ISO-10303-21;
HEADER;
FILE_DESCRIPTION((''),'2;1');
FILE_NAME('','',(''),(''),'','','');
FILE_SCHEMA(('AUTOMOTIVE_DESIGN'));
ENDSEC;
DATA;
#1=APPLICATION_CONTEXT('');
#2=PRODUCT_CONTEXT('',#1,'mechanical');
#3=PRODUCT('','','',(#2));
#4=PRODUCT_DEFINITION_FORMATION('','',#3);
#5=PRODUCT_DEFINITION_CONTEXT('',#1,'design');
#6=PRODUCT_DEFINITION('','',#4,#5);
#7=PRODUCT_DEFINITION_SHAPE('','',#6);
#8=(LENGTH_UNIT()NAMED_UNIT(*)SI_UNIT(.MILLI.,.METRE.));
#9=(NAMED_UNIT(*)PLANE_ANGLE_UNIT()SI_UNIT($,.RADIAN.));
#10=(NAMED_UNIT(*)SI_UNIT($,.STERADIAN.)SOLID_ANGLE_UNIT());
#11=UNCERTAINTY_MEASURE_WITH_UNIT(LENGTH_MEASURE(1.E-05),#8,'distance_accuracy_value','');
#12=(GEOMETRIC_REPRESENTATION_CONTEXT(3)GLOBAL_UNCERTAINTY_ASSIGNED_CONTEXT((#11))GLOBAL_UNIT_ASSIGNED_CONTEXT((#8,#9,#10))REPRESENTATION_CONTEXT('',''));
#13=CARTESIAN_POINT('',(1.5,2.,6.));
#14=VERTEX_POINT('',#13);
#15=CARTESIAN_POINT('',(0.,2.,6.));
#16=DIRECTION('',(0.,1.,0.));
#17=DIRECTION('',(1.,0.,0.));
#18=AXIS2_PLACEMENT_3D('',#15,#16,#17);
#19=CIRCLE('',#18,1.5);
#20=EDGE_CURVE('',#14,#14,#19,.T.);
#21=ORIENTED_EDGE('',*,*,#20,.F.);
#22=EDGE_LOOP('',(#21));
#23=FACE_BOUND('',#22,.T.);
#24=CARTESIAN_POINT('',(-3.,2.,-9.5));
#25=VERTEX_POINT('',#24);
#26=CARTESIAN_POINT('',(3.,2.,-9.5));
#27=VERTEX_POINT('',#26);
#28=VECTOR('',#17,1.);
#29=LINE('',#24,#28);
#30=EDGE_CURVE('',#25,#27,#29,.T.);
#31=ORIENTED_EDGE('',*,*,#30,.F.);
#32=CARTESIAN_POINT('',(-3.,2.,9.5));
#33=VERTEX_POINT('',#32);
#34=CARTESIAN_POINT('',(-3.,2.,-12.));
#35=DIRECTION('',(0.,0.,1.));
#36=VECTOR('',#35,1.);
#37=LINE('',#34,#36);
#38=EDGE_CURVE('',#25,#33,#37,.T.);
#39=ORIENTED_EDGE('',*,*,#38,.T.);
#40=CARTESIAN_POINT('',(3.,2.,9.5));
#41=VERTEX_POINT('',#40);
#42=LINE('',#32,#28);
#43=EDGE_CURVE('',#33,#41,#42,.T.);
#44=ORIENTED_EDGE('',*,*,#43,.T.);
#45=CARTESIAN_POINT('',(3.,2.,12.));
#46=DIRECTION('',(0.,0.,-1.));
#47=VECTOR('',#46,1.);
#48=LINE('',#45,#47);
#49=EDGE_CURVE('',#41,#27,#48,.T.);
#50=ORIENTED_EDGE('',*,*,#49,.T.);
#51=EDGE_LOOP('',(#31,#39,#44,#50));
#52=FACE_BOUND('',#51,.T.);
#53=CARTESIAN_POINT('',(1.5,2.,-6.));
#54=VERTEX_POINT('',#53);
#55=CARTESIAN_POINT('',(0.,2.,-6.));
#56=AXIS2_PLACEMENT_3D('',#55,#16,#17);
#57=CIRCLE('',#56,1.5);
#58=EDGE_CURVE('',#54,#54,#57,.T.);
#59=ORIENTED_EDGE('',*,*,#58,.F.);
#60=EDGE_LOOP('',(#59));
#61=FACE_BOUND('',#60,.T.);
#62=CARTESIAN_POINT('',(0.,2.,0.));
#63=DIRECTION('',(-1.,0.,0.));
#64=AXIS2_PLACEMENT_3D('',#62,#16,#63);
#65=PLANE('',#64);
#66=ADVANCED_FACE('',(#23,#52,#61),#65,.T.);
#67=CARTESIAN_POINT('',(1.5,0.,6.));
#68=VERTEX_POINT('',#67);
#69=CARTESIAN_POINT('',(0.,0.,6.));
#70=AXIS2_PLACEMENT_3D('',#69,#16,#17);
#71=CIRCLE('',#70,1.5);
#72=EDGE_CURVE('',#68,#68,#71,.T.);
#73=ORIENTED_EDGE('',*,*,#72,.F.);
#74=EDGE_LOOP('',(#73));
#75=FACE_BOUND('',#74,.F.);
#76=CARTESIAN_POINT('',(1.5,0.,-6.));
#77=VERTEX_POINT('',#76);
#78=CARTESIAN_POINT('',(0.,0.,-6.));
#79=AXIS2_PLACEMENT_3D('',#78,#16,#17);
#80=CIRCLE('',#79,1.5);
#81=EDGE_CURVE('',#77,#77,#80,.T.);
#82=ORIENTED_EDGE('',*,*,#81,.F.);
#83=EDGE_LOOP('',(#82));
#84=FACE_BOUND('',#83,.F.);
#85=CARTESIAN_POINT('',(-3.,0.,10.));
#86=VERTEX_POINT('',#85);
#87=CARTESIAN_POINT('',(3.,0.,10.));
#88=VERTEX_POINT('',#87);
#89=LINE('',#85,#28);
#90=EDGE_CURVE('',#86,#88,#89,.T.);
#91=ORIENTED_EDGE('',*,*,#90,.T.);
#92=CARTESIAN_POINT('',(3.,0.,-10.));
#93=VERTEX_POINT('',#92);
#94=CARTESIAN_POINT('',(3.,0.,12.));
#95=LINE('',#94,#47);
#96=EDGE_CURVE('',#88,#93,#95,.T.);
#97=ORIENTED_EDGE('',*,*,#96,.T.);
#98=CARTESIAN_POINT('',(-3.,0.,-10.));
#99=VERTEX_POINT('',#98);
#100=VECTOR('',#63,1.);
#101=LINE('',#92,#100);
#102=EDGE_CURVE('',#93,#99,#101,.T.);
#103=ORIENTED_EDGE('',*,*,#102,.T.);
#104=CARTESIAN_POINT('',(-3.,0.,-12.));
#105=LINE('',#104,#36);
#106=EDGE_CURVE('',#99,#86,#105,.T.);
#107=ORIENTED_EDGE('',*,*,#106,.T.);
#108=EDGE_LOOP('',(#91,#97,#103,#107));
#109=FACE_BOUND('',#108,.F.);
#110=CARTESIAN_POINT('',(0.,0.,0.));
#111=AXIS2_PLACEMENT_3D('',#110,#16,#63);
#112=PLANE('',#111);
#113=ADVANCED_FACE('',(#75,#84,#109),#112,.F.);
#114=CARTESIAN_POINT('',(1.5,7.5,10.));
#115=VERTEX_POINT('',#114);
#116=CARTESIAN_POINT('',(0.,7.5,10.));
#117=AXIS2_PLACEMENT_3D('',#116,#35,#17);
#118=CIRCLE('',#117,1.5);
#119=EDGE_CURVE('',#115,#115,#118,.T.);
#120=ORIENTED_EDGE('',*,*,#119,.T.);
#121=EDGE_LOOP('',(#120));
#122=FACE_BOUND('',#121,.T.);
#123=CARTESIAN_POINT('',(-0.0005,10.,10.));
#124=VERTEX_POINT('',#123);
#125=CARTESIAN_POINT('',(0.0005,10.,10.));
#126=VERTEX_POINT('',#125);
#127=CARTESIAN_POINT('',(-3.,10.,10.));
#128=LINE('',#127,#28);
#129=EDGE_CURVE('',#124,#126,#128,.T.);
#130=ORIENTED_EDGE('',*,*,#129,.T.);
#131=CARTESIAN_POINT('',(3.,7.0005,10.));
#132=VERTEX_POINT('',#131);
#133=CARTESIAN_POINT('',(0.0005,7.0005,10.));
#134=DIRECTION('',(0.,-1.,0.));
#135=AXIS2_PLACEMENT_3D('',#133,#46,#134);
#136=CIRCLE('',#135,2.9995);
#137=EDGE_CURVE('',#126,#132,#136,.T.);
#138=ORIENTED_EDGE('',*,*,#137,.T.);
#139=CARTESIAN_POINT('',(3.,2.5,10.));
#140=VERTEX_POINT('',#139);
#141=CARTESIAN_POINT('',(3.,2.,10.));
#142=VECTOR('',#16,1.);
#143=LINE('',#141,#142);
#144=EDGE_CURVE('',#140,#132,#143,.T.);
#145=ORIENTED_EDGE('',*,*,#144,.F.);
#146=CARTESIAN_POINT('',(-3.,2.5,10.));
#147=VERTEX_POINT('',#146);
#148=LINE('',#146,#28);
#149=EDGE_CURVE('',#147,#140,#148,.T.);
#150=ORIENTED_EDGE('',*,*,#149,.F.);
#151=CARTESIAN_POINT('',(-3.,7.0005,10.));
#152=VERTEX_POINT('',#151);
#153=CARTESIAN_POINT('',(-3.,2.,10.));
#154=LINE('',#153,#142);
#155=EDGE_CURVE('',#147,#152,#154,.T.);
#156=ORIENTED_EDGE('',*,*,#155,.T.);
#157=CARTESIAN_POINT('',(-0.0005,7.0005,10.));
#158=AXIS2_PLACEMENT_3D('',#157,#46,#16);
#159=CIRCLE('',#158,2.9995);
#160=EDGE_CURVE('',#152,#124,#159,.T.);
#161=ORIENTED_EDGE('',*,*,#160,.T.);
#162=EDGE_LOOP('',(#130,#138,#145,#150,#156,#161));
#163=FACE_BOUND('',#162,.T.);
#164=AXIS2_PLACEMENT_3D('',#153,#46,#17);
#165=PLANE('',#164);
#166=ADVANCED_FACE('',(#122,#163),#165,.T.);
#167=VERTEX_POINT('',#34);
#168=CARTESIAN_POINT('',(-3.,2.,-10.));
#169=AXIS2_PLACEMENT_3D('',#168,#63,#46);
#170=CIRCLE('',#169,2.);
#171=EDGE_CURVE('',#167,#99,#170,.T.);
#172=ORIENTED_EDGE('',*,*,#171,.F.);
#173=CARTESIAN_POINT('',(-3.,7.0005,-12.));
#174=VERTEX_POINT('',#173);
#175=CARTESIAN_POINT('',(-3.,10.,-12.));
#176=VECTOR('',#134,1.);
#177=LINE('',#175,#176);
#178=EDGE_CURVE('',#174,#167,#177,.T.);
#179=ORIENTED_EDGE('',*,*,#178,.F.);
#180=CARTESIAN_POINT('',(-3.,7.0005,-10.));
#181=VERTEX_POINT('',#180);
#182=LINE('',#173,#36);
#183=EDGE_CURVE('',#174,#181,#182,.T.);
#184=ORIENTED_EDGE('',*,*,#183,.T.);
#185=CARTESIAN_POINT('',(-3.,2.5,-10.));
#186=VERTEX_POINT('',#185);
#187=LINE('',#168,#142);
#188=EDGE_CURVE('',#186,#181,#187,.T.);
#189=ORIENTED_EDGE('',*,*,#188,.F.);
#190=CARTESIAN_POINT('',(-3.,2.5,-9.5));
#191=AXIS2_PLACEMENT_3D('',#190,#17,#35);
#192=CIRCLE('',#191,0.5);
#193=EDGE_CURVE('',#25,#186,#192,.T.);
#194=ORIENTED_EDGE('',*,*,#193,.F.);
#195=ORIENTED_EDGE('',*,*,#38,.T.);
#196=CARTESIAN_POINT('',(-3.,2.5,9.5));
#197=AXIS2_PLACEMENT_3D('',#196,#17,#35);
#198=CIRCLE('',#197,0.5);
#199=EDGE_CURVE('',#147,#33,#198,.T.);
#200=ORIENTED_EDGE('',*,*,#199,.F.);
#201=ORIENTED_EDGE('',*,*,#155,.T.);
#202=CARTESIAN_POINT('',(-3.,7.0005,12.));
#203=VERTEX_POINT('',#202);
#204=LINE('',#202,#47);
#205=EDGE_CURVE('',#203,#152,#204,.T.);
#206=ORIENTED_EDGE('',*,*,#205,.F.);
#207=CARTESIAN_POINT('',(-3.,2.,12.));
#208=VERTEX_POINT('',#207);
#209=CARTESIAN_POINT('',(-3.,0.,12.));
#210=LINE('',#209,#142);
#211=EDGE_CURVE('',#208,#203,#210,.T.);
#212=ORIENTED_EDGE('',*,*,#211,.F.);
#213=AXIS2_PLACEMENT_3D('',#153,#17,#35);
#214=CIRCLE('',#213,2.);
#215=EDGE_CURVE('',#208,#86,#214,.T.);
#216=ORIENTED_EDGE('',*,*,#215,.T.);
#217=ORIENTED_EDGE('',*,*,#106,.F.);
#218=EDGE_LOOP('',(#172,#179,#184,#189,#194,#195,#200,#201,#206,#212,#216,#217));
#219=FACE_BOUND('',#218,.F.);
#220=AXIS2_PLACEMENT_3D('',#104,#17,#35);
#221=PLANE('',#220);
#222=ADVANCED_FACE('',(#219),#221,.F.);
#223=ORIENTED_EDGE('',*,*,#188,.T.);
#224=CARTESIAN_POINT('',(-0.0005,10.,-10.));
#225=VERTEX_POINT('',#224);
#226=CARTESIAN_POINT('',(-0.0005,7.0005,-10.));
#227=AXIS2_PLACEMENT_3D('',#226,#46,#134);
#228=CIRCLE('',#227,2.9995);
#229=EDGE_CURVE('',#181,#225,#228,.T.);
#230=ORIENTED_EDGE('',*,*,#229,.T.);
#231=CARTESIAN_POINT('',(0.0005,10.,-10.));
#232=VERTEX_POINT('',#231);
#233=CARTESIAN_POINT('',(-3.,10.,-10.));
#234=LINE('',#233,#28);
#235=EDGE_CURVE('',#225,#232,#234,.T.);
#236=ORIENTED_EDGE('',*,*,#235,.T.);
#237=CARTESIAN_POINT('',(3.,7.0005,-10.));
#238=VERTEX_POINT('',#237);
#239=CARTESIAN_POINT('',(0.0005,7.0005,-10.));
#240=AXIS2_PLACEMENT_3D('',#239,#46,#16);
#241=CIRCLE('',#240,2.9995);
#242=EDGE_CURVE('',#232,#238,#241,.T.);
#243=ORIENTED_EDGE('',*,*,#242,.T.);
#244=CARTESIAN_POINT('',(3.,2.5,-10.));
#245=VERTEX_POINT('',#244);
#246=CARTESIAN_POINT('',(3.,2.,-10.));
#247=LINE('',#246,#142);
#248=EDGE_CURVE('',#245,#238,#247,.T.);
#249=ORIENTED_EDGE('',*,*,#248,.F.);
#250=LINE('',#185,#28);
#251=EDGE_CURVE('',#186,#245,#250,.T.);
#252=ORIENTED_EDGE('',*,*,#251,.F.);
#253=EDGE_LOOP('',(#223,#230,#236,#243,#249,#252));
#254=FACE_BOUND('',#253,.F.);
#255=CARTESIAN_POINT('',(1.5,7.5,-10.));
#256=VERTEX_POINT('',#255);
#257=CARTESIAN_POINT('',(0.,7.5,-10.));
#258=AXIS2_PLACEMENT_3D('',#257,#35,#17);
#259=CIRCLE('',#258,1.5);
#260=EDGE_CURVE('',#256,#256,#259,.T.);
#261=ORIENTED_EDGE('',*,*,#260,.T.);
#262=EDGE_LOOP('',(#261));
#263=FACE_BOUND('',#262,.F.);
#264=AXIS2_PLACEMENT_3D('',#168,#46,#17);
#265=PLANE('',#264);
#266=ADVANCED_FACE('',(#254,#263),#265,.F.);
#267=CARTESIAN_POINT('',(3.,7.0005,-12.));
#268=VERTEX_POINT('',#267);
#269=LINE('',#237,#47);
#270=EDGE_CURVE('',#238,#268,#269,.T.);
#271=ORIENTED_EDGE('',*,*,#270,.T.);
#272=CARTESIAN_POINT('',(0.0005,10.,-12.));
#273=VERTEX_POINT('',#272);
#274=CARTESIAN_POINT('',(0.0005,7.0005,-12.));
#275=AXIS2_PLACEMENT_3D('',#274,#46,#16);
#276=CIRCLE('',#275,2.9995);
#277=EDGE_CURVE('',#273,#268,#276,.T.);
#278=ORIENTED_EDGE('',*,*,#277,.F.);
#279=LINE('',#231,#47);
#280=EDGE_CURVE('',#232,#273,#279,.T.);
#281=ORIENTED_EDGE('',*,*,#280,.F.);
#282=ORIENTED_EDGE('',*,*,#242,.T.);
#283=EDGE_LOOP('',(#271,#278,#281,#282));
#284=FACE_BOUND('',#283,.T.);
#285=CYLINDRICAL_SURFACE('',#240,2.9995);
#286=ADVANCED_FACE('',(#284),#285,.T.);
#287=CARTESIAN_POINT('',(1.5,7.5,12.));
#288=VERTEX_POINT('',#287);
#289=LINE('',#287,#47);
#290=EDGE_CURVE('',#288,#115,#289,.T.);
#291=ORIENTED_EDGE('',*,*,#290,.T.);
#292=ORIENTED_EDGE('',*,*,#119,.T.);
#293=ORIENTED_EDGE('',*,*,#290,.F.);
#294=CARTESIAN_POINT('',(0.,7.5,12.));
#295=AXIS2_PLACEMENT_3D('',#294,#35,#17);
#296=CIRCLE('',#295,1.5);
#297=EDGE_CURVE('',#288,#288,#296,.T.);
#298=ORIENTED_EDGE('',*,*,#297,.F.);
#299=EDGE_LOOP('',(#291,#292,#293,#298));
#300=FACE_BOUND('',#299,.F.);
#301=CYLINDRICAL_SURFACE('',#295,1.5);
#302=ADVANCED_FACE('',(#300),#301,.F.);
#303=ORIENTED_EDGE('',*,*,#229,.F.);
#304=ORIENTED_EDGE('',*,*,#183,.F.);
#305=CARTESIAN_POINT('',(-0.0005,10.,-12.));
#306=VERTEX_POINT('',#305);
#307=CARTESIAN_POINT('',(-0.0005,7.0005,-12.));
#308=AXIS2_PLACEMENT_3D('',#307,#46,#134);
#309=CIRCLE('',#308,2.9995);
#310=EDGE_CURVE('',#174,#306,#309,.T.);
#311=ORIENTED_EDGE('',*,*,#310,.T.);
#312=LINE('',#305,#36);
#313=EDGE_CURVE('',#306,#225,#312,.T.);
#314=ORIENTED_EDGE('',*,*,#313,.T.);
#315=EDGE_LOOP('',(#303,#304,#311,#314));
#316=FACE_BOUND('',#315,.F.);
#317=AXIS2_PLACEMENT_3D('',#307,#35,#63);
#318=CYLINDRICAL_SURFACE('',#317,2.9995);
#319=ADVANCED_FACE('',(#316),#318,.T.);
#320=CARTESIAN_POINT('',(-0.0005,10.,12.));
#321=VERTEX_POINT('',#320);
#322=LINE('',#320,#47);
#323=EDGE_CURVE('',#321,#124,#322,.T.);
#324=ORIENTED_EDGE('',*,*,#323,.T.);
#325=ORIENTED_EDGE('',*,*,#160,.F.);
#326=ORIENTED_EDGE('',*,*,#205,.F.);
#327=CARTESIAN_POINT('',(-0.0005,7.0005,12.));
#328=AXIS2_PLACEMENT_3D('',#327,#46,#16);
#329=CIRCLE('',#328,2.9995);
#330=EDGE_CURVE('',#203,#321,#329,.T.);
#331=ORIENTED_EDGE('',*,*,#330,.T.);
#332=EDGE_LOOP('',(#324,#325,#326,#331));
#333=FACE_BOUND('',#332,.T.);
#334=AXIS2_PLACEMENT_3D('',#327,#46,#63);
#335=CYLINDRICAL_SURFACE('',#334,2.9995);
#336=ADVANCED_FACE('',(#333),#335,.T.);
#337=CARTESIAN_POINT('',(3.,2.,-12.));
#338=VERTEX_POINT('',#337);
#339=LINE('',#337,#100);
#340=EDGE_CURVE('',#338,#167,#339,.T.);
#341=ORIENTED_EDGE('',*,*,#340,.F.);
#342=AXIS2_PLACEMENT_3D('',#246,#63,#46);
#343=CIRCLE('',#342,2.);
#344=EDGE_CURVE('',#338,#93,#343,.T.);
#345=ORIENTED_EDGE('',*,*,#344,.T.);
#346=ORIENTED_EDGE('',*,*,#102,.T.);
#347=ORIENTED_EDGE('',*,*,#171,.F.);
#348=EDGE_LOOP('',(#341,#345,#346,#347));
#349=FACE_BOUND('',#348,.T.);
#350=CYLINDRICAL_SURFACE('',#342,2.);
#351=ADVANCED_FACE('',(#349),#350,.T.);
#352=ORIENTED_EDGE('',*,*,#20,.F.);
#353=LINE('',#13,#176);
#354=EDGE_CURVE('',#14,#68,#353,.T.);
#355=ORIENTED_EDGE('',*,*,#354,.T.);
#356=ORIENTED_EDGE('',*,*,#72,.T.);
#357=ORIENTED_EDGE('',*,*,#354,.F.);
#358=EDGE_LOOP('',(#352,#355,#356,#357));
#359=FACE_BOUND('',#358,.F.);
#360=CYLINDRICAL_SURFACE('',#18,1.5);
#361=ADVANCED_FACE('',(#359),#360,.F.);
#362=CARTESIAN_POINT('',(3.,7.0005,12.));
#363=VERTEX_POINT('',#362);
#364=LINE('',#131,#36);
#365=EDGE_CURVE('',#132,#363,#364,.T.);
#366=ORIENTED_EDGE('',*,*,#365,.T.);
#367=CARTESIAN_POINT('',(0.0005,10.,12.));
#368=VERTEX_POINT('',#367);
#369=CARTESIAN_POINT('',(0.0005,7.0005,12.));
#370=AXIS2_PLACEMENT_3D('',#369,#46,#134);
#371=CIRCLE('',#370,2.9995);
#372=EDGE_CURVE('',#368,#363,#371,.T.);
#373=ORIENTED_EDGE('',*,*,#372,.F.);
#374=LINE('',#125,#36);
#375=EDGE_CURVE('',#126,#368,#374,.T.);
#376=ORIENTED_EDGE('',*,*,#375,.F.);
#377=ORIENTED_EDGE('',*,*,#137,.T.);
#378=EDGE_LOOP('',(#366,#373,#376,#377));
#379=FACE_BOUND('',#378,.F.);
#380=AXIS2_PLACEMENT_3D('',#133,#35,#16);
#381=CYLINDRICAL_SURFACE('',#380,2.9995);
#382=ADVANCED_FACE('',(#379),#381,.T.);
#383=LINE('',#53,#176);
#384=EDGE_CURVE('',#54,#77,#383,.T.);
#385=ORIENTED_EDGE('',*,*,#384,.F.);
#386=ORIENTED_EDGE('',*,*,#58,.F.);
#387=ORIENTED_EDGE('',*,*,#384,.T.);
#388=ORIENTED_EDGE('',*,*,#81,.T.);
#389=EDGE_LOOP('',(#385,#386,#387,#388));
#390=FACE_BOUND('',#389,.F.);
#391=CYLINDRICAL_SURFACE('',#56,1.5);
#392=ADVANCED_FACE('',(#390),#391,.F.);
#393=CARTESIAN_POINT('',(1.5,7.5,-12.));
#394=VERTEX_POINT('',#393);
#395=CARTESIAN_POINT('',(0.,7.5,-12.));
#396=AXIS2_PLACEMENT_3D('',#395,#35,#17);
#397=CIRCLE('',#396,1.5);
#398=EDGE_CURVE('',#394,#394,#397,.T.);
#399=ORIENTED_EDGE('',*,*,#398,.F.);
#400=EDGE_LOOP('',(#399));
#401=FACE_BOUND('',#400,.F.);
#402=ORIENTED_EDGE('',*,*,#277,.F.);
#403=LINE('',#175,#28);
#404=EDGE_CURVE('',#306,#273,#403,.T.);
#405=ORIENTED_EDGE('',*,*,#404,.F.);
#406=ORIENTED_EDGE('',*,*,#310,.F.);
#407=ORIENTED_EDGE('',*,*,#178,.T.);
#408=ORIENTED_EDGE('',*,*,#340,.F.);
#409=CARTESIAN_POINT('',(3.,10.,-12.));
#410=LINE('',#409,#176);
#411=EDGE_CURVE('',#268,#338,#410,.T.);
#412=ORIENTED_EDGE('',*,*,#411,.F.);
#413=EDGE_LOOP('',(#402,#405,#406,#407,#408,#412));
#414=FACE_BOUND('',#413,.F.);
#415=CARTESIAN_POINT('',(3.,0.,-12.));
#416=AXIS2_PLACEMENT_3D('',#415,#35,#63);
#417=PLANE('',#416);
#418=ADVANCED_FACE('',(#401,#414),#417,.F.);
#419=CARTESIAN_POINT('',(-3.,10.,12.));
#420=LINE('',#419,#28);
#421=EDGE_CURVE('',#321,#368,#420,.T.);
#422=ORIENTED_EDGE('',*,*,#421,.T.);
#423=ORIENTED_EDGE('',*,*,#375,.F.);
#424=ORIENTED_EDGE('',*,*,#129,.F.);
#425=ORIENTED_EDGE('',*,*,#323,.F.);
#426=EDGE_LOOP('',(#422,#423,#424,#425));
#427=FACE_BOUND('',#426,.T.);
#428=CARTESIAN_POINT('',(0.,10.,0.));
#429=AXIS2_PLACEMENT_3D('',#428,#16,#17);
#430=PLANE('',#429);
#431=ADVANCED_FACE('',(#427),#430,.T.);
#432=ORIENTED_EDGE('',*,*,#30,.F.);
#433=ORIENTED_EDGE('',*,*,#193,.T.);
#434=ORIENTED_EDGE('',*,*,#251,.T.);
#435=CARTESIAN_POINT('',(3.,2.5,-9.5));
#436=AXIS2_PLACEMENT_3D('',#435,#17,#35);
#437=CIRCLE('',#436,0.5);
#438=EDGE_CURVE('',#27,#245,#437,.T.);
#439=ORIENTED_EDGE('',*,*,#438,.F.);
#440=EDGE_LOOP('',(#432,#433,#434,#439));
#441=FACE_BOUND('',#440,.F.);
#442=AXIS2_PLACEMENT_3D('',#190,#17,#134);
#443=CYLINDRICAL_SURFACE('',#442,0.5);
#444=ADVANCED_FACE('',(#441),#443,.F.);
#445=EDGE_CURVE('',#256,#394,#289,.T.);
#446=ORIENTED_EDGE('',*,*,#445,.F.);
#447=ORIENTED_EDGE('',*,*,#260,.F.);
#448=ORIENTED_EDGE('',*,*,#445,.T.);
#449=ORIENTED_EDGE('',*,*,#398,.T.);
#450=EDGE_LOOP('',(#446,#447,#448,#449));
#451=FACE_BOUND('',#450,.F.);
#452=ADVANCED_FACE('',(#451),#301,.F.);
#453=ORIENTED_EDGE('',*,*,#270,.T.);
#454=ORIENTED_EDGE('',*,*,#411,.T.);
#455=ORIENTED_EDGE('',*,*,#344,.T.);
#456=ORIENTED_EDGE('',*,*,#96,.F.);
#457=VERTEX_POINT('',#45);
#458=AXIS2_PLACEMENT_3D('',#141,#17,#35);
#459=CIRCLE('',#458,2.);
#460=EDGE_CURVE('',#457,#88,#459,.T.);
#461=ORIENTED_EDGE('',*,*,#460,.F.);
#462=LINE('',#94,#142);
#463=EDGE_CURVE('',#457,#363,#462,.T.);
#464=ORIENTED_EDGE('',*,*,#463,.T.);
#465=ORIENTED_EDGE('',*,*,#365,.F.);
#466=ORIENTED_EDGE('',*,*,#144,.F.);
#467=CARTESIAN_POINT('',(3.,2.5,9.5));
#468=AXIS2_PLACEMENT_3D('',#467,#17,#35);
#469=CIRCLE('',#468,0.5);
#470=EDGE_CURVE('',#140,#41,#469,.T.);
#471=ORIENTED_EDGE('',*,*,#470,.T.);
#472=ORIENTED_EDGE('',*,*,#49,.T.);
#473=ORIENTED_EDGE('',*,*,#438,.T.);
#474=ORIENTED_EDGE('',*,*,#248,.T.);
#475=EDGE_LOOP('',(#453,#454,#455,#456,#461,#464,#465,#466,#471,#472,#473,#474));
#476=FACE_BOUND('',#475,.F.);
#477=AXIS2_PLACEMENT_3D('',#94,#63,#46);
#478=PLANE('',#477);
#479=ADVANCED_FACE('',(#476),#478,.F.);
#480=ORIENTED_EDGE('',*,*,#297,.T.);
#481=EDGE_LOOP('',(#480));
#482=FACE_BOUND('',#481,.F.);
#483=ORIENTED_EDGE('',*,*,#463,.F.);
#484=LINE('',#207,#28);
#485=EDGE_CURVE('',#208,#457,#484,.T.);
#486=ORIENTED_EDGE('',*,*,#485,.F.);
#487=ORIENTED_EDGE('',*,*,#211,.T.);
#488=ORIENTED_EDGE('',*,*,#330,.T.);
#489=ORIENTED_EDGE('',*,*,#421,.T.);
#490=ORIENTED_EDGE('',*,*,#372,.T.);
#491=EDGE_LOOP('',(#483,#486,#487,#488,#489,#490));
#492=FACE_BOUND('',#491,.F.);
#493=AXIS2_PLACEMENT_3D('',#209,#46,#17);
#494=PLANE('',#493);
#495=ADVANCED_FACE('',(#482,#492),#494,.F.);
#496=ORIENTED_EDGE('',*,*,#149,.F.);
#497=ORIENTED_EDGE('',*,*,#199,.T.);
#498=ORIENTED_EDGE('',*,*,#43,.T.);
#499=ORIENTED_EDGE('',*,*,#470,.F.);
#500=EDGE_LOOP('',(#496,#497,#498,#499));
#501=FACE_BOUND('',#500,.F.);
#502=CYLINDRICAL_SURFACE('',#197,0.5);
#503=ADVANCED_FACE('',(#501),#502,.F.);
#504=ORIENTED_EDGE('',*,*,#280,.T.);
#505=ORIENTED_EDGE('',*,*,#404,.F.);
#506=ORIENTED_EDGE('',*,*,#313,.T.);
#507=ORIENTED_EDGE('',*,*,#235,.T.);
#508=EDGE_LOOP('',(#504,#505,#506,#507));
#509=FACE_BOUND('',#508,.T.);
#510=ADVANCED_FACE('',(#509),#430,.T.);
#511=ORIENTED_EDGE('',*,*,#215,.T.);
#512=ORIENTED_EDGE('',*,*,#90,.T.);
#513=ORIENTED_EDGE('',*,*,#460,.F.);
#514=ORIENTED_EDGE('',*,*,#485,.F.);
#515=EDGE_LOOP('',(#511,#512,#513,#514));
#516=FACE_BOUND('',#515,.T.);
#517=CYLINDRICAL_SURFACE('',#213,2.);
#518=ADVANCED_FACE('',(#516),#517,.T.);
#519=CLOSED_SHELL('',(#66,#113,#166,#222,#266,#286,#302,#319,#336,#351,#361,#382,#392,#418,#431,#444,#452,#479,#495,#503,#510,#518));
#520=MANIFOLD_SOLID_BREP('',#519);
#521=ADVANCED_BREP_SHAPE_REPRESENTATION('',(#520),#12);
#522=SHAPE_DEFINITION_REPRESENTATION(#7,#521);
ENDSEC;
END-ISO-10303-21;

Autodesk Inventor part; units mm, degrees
ref_plane "YZ Plane" through (0, 0, 0) normal (1, 0, 0) x (0, 1, 0)
ref_plane "XZ Plane" through (0, 0, 0) normal (0, 1, 0) x (-1, 0, 0)
ref_plane "XY Plane" through (0, 0, 0) normal (0, 0, 1) x (1, 0, 0)
sketch "スケッチ2" plane through (0, 0, 0) normal (0, 1, 0) x (-1, 0, 0)
  line L0 (3, 12) -> (-3, 12)
  line L1 (-3, 12) -> (-3, -12)
  line L2 (-3, -12) -> (3, -12)
  line L3 (3, -12) -> (3, 12)
  line L4 (3, 12) -> (-3, -12) construction
  line L5 (-3, 12) -> (3, -12) construction
  point P0 (0, 0)
  dimension "d0" = 6
  dimension "d1" = 24
extrude "押し出し1" add sketch "スケッチ2" along normal blind 2
sketch "スケッチ3" plane through (0, 2, 0) normal (0, 1, 0) x (1, 0, 0)
  line L0 (0, 0) -> (17.0927, 0) construction
  circle A0 centre (0, -6) radius 1.5
  circle A1 centre (0, 6) radius 1.5
  dimension "d25" = 3
extrude "押し出し2" cut sketch "スケッチ3" against normal through all
sketch "スケッチ4" plane through (0, 2, 0) normal (0, 1, 0) x (1, 0, 0)
  line L0 (-3, -12) -> (3, -12) projected
  line L1 (3, -12) -> (-3, -12)
  line L2 (-3, -12) -> (-3, -10)
  line L3 (-3, -10) -> (3, -10)
  line L4 (3, -10) -> (3, -12)
  line L5 (0, 0) -> (11.7228, 0) construction
  line L6 (-3, 12) -> (3, 12)
  line L7 (-3, 12) -> (-3, 10)
  line L8 (-3, 10) -> (3, 10)
  line L9 (3, 10) -> (3, 12)
  dimension "d8" = 6
  dimension "d9" = 2
extrude "押し出し3" add sketch "スケッチ4" along normal blind 8
sketch "スケッチ6" plane through (-3, 0, 12) normal (0, 0, 1) x (1, 0, 0)
  circle A0 centre (3, 7.5) radius 1.5
  point P0 (3, 0)
  dimension "d36" = 3
extrude "押し出し4" cut sketch "スケッチ6" against normal through all
fillet "フィレット1" radius 2 1 edges at (0, 0, 12)
fillet "フィレット2" radius 0.5 1 edges at (0, 2, 10)
fillet "フィレット3" radius 0.5 1 edges at (0, 2, -10)
fillet "フィレット4" radius 2 1 edges at (0, 0, -12)
fillet "フィレット5" radius 3 4 edges at (3, 10, 11) (-3, 10, 11) (3, 10, -11) (-3, 10, -11)
properties part number "Plasma Box Hinge"
